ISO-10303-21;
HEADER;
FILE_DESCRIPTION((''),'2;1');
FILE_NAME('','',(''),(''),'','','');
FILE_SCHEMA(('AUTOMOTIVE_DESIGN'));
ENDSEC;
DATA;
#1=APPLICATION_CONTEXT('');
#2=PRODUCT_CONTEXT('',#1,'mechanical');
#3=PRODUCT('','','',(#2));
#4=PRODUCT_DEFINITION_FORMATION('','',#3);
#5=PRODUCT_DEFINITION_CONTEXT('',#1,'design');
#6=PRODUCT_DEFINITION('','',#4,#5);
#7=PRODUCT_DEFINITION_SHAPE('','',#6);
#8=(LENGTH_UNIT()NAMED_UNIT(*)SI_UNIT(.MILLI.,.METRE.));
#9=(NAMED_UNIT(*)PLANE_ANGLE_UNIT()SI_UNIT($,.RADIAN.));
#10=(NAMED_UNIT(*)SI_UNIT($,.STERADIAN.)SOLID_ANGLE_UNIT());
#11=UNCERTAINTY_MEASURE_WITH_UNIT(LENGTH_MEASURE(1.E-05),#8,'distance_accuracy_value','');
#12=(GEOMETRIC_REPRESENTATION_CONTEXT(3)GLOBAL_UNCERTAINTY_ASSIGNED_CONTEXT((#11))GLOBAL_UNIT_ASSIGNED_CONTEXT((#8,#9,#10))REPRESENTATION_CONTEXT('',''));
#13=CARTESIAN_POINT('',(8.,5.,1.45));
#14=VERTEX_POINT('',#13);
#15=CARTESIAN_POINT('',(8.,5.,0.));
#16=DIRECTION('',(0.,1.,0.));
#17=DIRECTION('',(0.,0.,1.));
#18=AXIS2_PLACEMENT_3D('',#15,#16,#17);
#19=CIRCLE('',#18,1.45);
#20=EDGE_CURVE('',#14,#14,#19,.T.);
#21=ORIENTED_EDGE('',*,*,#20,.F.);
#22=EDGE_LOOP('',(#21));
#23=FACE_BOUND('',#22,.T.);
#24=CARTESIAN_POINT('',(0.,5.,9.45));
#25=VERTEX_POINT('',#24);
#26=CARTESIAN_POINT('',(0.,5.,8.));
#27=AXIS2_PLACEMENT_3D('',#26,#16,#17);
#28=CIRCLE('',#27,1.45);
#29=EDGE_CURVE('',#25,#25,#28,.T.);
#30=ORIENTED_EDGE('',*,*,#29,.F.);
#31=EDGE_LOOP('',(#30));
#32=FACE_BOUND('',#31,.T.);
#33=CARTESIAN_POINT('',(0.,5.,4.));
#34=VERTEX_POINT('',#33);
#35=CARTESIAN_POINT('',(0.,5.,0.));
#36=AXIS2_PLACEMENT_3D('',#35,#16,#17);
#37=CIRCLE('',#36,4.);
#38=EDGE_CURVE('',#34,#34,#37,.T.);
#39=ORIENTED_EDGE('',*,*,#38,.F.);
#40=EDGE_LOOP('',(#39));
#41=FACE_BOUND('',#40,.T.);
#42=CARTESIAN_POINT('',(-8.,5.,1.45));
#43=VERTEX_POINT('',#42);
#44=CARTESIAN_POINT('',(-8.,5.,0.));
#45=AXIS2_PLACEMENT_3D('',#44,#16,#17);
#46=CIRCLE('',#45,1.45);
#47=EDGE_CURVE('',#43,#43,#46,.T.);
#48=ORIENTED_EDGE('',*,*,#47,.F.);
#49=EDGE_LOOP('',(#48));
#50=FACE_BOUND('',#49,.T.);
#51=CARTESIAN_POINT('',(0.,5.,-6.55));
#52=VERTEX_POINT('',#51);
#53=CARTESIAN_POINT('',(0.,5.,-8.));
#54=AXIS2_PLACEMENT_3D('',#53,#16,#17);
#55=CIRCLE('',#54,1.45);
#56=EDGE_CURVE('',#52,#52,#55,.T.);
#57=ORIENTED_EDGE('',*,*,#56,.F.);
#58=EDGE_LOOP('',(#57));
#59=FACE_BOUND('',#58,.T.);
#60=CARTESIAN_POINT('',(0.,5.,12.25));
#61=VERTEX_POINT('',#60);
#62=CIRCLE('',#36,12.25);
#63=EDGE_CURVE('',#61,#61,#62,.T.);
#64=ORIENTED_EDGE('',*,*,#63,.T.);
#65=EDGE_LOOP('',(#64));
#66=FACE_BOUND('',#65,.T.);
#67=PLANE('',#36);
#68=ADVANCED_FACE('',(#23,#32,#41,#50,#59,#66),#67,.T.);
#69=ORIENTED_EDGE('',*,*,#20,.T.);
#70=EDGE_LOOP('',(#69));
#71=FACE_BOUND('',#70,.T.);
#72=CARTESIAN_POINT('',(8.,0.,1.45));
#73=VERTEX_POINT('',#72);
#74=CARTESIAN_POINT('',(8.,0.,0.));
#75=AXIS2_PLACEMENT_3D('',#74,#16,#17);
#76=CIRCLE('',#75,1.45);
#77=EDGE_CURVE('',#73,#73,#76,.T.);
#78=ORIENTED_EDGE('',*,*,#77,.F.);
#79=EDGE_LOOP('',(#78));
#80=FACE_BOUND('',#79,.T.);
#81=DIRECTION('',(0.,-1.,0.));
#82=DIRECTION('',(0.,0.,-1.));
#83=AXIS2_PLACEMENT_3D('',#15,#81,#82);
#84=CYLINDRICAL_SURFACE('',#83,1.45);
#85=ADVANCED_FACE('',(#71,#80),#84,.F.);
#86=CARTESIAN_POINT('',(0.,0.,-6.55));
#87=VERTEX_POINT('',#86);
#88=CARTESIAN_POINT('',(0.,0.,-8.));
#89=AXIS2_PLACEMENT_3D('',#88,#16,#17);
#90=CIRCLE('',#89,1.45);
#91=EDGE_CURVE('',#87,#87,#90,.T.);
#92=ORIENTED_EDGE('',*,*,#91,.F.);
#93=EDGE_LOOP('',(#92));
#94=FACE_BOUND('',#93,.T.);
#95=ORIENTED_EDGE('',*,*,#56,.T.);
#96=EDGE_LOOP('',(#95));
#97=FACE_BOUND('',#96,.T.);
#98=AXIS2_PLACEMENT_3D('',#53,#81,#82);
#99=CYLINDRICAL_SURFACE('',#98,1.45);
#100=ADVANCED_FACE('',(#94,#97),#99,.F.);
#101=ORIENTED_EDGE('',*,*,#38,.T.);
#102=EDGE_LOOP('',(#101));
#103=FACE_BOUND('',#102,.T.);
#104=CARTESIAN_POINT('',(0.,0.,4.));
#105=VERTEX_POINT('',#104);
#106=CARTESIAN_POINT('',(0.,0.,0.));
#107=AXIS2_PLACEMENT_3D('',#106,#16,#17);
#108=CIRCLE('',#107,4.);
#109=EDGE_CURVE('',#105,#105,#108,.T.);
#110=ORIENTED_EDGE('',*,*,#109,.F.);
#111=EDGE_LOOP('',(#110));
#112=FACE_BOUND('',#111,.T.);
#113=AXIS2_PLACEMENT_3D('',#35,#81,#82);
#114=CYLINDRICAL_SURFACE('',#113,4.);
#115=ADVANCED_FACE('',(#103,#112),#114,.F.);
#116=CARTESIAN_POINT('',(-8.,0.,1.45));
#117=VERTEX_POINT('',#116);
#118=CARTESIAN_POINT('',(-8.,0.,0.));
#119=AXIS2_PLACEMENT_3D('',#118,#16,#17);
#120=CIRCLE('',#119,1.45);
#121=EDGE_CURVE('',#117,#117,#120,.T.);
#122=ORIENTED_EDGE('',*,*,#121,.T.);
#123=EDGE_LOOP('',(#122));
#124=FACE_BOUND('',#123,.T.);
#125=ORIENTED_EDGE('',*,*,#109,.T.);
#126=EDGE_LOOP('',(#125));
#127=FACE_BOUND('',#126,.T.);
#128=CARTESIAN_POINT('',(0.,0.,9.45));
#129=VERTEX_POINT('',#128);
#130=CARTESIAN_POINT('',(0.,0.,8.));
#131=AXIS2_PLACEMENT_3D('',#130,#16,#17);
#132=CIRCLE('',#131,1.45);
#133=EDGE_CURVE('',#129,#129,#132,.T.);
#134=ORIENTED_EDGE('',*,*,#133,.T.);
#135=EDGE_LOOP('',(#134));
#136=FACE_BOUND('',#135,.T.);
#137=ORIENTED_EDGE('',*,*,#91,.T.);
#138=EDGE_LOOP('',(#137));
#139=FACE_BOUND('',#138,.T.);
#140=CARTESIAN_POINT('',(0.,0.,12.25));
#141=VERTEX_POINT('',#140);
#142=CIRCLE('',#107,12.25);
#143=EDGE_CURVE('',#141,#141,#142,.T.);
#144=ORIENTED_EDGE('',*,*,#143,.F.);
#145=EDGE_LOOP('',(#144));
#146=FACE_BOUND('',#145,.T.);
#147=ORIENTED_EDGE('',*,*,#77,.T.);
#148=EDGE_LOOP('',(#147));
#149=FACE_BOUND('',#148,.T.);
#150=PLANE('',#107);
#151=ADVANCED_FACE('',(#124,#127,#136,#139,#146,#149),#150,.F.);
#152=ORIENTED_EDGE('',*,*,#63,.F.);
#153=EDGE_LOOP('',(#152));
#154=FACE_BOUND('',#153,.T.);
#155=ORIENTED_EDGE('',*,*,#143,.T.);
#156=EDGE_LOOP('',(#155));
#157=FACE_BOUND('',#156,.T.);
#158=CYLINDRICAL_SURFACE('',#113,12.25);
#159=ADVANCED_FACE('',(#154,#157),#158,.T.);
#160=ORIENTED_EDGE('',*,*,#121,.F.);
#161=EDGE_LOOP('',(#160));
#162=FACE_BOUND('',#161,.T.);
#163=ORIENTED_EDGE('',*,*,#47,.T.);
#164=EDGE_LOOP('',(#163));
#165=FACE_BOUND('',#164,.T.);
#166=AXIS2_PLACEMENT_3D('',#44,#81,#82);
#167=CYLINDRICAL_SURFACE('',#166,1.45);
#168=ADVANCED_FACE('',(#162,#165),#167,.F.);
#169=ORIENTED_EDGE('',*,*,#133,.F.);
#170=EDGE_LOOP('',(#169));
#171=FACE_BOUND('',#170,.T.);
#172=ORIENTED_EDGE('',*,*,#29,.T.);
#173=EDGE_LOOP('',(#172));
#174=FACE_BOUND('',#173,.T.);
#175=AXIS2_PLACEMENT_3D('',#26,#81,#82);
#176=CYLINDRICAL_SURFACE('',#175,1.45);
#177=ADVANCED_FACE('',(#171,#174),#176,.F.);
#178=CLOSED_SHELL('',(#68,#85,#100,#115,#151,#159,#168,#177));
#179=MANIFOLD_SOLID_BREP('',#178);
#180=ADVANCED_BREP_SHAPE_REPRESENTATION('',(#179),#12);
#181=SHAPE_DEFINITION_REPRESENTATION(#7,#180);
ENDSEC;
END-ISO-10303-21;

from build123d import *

# Parameters (mm, degrees)
SKETCH_1_R      = 12.25
SKETCH_1_R_2    = 4
SKETCH_1_R_3    = 1.45
EXTRUDE_1_DEPTH = 5


with BuildPart() as part:
    # 草图1 → 凸台-拉伸1 (new body)
    with BuildSketch(Plane(origin=(0, 0, 0), x_dir=(1, 0, 0), z_dir=(0, 1, 0))):
        with Locations(Location((0, 0, 0), (0, 0, 270))):
            Circle(SKETCH_1_R)
        with Locations(Location((0, 0, 0), (0, 0, 270))):
            Circle(SKETCH_1_R_2, mode=Mode.SUBTRACT)
        with Locations(Location((0, 8, 0), (0, 0, 270))):
            Circle(SKETCH_1_R_3, mode=Mode.SUBTRACT)
        with Locations(Location((8, 0, 0), (0, 0, 270))):
            Circle(SKETCH_1_R_3, mode=Mode.SUBTRACT)
        with Locations(Location((0, -8, 0), (0, 0, 270))):
            Circle(SKETCH_1_R_3, mode=Mode.SUBTRACT)
        with Locations(Location((-8, 0, 0), (0, 0, 270))):
            Circle(SKETCH_1_R_3, mode=Mode.SUBTRACT)
    extrude(amount=EXTRUDE_1_DEPTH)


solid = part.part
